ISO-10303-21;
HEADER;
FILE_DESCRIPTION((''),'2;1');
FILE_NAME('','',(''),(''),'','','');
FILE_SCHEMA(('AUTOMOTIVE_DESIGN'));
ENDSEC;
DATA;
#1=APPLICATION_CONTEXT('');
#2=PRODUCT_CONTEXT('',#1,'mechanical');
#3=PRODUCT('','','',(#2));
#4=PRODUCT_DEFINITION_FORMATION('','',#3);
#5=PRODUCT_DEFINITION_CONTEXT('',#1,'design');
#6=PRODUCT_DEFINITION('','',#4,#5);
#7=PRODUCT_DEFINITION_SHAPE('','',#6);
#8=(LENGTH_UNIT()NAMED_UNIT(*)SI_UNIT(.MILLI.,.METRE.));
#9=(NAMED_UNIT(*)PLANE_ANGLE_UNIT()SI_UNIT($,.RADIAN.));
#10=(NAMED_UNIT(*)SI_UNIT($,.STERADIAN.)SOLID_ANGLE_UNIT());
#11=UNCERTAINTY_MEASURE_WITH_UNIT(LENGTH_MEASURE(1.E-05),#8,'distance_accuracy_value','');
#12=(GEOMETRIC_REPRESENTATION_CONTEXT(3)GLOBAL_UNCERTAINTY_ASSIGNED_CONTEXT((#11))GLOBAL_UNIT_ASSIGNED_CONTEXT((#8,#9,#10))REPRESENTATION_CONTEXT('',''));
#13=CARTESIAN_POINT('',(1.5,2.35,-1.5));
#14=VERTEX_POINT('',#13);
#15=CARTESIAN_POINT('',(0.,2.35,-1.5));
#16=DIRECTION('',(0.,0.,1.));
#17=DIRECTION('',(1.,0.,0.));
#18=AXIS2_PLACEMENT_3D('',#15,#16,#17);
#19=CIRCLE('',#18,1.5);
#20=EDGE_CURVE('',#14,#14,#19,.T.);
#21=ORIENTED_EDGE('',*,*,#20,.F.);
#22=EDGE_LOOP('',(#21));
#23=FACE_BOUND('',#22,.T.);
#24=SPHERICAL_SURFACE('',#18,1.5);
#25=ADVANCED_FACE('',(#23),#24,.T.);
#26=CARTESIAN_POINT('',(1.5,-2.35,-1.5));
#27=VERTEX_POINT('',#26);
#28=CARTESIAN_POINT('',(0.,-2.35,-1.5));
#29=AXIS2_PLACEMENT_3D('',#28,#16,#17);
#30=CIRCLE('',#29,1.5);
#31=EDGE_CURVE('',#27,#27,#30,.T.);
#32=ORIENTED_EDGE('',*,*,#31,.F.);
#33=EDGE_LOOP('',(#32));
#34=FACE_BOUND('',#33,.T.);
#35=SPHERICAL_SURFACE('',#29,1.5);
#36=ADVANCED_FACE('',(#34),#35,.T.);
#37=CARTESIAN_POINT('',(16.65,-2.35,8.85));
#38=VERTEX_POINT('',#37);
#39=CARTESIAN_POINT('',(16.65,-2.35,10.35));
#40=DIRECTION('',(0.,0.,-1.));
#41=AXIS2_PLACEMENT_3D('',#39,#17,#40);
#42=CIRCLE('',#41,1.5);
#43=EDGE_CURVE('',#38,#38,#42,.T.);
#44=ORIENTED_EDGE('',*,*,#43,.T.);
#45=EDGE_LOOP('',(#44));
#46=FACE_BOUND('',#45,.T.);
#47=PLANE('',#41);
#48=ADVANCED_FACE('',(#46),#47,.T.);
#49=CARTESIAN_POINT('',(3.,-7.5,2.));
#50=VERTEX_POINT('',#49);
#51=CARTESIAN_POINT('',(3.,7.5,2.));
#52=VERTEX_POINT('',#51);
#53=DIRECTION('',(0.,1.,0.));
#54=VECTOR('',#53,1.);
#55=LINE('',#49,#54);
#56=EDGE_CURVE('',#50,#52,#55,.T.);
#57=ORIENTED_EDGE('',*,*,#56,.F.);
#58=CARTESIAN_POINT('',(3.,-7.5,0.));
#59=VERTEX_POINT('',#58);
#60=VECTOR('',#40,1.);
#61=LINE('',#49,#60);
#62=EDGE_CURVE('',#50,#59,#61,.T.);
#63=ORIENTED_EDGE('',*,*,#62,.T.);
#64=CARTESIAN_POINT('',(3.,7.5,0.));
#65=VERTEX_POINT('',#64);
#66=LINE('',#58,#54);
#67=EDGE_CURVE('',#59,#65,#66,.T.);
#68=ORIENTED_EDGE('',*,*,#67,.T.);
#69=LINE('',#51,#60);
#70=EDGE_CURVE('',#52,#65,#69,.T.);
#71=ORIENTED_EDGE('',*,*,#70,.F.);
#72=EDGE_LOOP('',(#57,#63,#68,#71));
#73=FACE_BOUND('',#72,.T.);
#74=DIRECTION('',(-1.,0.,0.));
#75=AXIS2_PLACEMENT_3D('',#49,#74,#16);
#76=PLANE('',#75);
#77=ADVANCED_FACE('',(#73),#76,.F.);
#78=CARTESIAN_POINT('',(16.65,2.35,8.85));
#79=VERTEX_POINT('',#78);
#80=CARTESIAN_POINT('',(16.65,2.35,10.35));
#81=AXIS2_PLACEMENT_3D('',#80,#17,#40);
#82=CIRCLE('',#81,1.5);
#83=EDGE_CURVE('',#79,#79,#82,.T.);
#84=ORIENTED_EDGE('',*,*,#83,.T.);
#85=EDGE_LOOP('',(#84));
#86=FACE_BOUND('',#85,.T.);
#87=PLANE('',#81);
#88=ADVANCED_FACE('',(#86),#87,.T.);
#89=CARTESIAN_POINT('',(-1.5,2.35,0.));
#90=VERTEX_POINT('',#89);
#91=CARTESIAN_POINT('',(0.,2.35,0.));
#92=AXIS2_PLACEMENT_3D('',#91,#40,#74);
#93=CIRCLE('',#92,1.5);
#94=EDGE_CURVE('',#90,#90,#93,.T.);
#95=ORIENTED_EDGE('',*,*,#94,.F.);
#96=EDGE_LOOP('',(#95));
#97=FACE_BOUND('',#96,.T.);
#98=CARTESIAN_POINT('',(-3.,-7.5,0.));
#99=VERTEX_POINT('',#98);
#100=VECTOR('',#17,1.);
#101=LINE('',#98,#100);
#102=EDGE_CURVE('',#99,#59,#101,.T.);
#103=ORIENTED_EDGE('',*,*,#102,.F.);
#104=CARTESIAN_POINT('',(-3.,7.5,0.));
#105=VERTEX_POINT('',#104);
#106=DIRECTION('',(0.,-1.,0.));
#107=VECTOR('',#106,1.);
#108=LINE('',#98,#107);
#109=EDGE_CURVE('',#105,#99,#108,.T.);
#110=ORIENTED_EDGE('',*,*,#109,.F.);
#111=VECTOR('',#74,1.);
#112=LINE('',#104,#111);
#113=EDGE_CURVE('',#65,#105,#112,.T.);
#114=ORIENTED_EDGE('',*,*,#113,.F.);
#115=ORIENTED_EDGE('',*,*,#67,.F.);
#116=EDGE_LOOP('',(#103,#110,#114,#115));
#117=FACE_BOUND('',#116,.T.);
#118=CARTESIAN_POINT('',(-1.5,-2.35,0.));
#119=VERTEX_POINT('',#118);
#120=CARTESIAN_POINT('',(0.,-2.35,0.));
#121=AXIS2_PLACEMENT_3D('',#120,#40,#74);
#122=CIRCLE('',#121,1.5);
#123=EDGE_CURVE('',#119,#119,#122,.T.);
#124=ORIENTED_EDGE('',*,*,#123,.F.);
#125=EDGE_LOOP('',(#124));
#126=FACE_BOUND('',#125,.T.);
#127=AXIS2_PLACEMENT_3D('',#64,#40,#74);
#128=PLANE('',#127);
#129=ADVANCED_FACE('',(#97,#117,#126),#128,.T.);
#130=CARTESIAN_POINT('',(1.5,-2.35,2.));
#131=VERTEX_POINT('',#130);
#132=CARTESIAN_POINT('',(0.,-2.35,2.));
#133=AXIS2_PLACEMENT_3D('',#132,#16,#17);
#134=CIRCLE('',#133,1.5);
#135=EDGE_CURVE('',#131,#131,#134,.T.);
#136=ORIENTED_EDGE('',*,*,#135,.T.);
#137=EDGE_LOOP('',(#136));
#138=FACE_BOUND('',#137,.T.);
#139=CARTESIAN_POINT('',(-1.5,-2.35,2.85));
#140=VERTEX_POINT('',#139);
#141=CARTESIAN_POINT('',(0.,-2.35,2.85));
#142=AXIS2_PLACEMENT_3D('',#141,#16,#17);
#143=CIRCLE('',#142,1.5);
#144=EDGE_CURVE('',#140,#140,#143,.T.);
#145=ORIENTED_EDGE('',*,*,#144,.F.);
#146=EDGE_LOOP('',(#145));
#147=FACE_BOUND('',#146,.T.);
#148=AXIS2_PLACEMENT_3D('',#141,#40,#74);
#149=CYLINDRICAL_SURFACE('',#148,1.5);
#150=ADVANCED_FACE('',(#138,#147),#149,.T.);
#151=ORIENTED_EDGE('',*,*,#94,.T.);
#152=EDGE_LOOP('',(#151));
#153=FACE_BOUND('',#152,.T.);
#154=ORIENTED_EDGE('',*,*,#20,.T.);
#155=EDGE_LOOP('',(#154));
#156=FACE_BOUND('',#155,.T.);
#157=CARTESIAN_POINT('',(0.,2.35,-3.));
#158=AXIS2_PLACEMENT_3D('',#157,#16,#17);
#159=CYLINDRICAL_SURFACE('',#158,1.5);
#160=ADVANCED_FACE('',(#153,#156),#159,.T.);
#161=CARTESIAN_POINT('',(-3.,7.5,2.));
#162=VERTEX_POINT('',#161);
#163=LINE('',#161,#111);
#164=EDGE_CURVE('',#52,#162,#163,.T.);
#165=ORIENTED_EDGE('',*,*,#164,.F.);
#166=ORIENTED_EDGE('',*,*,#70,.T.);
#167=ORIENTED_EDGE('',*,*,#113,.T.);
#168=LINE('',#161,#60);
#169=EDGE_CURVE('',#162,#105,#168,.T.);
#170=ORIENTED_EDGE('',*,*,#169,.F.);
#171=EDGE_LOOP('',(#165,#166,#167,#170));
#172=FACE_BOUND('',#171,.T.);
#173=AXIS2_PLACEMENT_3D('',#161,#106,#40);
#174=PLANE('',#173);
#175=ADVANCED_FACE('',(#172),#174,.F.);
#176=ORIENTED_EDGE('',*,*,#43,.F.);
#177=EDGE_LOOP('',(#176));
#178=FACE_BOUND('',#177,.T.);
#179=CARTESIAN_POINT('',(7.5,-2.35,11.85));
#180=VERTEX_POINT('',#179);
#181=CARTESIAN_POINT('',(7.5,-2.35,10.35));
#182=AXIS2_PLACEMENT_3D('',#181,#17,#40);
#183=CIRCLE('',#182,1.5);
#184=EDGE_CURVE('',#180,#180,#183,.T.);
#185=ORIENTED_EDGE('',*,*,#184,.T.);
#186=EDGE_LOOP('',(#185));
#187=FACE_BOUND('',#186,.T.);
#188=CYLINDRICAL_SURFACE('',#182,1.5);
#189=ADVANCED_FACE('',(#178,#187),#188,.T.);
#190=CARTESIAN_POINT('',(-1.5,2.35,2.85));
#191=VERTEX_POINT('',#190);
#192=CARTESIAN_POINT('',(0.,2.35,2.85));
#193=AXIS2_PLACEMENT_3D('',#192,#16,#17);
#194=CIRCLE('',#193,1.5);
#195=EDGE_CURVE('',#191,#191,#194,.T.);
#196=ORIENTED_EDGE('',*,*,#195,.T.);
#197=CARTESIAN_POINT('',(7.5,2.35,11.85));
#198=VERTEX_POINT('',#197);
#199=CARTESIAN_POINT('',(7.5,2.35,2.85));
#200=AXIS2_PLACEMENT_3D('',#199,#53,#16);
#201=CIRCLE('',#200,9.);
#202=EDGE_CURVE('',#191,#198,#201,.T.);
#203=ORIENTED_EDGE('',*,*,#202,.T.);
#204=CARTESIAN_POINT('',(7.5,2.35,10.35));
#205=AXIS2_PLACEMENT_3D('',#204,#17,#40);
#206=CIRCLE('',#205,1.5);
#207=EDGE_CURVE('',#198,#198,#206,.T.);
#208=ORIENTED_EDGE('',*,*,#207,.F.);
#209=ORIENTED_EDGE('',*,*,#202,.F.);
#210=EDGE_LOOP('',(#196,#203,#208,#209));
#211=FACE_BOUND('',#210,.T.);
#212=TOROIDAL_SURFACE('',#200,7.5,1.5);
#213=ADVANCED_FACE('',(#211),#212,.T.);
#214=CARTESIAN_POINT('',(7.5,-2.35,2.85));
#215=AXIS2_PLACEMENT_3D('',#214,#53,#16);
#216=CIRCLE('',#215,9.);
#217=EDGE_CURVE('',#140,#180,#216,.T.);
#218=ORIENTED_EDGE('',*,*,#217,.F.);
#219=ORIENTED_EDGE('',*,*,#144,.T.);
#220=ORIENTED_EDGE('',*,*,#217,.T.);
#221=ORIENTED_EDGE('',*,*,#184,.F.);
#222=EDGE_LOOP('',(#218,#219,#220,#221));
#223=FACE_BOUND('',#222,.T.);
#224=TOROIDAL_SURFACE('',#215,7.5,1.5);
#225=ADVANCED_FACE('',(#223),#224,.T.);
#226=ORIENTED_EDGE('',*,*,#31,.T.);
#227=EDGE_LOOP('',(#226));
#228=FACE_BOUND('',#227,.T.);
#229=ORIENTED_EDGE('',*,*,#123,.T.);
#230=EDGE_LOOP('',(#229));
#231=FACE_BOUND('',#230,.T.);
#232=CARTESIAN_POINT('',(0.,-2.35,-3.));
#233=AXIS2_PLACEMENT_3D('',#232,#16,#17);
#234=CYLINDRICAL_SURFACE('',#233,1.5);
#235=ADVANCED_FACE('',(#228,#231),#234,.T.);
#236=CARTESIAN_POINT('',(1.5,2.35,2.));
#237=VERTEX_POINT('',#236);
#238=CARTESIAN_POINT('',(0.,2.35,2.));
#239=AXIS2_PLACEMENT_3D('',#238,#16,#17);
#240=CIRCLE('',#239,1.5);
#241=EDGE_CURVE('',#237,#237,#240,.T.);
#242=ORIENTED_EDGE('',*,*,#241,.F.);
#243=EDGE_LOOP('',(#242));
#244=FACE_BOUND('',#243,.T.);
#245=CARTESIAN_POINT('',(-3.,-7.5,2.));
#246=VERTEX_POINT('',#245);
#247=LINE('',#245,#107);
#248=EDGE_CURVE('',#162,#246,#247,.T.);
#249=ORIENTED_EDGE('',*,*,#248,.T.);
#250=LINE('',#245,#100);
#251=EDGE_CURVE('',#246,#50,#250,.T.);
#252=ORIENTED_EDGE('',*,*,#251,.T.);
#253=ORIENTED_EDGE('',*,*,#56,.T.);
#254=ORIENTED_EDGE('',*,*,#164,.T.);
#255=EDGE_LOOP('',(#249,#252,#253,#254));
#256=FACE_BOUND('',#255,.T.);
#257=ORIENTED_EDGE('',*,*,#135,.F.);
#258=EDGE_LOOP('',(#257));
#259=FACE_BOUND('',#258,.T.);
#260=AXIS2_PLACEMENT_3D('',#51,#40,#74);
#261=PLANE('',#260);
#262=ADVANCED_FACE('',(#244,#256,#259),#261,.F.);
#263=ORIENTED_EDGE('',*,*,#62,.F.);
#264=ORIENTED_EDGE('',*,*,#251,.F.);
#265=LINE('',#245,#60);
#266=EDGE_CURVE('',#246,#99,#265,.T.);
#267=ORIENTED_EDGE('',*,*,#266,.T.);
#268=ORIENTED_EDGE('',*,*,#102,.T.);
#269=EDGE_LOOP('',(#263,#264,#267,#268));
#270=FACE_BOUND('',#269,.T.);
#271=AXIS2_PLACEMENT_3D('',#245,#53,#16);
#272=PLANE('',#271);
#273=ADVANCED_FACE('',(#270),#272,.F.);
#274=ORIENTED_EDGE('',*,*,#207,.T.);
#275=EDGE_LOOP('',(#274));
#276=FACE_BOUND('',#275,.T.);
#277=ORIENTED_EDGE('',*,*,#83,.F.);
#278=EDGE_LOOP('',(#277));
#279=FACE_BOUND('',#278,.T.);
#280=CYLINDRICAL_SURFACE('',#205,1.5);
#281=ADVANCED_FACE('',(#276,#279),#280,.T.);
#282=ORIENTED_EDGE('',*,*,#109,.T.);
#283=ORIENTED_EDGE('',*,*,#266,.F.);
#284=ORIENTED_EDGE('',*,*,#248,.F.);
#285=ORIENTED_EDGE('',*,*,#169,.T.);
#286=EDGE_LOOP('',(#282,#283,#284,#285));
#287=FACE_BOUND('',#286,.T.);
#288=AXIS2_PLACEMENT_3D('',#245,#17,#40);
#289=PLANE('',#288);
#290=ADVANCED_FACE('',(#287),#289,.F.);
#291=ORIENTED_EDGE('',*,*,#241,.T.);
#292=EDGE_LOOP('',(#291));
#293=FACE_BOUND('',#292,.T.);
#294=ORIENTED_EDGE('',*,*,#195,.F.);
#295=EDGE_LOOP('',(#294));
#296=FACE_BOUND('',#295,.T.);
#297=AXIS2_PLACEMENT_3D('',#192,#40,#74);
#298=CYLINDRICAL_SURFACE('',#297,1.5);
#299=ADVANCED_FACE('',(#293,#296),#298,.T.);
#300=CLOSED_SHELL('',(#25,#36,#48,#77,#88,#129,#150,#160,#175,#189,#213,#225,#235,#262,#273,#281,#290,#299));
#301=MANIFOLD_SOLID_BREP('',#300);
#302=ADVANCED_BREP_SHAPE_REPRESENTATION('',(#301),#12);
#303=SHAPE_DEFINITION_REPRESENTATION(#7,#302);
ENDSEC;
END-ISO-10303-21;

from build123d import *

# Parameters (mm, degrees)
SKETCH1_W           = 6
SKETCH1_H           = 15
BOSS_EXTRUDE1_DEPTH = 2
SKETCH2_R           = 1.5
BOSS_EXTRUDE2_DEPTH = 3
FILLET1_R           = 1.5
SKETCH3_R           = 1.5


with BuildPart() as part:
    # Sketch1 → Boss-Extrude1 (new body)
    with BuildSketch(Plane.XY):
        Rectangle(SKETCH1_W, SKETCH1_H)
    extrude(amount=BOSS_EXTRUDE1_DEPTH)

    # Sketch2 → Boss-Extrude2 (add)
    with BuildSketch(Plane(origin=(0, 0, 0), x_dir=(-1, 0, 0), z_dir=(0, 0, -1))):
        with Locations((0, 2.35)):
            Circle(SKETCH2_R)
        with Locations((0, -2.35)):
            Circle(SKETCH2_R)
    extrude(amount=BOSS_EXTRUDE2_DEPTH)

    # Fillet1
    fillet1_edges = [part.edges().sort_by_distance(p)[0] for p in [
        (1.5, 2.35, -3),
        (1.5, -2.35, -3),
    ]]
    fillet(fillet1_edges, radius=FILLET1_R)

    # Sweep1: sweep along a path in Sketch4
    with BuildLine(Plane(origin=(0, 2.35, 0), x_dir=(-1, 0, 0), z_dir=(0, 1, 0))) as sweep1_path:
        Line((0, 2), (0, 2.85))
        ThreePointArc((0, 2.85), (-2.196699141, 8.153300859), (-7.5, 10.35))
        Line((-7.5, 10.35), (-16.65, 10.35))
    # Sketch3 → Sweep1 (sweep)
    with BuildSketch(Plane.XY.offset(2)):
        with Locations((0, -2.35)):
            Circle(SKETCH3_R)
        with Locations((0, 2.35)):
            Circle(SKETCH3_R)
    sweep(path=sweep1_path.line)


solid = part.part
